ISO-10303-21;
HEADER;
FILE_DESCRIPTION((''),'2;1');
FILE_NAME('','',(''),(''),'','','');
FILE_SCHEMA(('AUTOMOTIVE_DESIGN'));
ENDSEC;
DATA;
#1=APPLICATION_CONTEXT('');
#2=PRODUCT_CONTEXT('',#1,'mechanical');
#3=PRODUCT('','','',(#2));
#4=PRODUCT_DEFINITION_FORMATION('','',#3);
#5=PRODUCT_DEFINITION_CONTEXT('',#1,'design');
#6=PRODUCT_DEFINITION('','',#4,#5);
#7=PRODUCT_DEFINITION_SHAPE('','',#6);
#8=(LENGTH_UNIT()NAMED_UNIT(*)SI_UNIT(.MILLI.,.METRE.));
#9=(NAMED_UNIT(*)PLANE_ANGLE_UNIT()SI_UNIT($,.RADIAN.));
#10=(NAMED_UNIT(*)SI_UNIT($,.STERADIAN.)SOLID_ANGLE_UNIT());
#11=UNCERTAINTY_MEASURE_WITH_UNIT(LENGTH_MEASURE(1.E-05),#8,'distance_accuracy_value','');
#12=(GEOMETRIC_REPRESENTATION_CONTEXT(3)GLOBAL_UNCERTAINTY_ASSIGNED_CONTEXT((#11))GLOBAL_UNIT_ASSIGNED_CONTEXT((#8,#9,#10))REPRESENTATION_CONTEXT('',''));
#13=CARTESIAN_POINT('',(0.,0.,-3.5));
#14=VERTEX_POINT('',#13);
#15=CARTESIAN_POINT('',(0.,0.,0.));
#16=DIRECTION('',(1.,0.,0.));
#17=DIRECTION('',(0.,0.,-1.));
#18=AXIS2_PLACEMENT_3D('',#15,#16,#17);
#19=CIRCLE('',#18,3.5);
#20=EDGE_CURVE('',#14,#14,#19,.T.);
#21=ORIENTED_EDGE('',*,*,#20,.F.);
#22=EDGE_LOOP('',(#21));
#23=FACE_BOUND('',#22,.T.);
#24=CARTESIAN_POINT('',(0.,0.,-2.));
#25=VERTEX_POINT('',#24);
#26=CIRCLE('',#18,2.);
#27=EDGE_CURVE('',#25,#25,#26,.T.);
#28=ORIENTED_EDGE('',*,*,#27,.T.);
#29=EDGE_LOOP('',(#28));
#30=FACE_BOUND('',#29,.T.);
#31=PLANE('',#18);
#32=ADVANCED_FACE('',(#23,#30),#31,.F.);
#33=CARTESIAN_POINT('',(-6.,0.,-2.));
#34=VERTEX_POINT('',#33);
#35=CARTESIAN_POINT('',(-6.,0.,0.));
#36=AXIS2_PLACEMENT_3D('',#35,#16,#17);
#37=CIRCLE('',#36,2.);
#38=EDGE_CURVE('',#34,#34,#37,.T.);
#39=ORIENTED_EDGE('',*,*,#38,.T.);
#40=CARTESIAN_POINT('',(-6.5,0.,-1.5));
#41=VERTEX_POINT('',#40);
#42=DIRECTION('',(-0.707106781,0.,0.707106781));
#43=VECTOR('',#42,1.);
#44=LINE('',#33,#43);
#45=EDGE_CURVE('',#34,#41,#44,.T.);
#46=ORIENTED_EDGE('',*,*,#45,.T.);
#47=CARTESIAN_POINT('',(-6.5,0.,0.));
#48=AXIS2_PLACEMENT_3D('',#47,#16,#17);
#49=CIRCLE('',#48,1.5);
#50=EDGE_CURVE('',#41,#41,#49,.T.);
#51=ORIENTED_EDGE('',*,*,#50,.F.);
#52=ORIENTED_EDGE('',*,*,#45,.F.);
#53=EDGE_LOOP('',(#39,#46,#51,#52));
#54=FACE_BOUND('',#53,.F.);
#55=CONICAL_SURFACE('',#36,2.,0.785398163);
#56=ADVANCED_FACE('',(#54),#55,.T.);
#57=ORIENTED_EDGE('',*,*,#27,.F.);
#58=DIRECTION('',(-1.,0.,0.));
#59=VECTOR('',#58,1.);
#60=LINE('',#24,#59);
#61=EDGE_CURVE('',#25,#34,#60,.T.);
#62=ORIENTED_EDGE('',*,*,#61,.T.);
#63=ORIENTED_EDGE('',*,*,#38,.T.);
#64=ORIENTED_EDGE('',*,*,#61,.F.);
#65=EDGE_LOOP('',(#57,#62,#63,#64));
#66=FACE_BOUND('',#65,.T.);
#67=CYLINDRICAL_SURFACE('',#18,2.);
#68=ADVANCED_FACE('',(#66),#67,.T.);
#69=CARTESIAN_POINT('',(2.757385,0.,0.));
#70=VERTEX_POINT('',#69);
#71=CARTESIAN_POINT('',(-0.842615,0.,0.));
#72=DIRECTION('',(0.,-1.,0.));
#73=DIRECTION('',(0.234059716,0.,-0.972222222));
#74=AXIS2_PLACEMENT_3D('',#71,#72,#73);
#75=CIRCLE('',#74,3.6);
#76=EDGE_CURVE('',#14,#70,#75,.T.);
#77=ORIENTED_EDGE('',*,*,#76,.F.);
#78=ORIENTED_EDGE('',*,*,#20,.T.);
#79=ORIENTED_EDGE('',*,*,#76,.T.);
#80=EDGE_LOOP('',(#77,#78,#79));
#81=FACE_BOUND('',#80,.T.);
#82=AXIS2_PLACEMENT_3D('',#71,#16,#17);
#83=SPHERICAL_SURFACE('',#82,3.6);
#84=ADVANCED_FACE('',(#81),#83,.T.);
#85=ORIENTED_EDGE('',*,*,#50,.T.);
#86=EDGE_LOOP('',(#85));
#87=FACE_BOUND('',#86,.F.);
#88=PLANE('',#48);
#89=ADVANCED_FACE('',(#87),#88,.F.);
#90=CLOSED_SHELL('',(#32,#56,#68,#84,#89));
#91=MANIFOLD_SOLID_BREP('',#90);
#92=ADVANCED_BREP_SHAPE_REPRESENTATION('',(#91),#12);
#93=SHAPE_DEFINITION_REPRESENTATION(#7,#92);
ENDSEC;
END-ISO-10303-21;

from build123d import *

# Parameters (mm, degrees)
SKETCH1_R           = 2
BOSS_EXTRUDE1_DEPTH = 6.5
CHAMFER1_SIZE       = 0.5


with BuildPart() as part:
    # Sketch1 → Boss-Extrude1 (new body)
    with BuildSketch(Plane(origin=(0, 0, 0), x_dir=(0, 0, -1), z_dir=(1, 0, 0))):
        Circle(SKETCH1_R)
    extrude(amount=-BOSS_EXTRUDE1_DEPTH)

    # Sketch2 → Revolve1 (revolve)
    with BuildSketch(Plane(origin=(0, 0, 0), x_dir=(1, 0, 0), z_dir=(0, 1, 0))):
        with BuildLine():
            Line((2.757385023, 0), (0, 0))
            Line((0, 0), (0, 3.5))
            ThreePointArc((0, 3.5), (1.985229955, 2.227844932), (2.757385023, 0))
        make_face()
    revolve(axis=Axis((-2.546955696, 0, 0), (1, 0, 0)))

    # Chamfer1
    chamfer1_edges = [part.edges().sort_by_distance(p)[0] for p in [
        (-6.5, 0, 2),
    ]]
    chamfer(chamfer1_edges, length=CHAMFER1_SIZE)


solid = part.part
